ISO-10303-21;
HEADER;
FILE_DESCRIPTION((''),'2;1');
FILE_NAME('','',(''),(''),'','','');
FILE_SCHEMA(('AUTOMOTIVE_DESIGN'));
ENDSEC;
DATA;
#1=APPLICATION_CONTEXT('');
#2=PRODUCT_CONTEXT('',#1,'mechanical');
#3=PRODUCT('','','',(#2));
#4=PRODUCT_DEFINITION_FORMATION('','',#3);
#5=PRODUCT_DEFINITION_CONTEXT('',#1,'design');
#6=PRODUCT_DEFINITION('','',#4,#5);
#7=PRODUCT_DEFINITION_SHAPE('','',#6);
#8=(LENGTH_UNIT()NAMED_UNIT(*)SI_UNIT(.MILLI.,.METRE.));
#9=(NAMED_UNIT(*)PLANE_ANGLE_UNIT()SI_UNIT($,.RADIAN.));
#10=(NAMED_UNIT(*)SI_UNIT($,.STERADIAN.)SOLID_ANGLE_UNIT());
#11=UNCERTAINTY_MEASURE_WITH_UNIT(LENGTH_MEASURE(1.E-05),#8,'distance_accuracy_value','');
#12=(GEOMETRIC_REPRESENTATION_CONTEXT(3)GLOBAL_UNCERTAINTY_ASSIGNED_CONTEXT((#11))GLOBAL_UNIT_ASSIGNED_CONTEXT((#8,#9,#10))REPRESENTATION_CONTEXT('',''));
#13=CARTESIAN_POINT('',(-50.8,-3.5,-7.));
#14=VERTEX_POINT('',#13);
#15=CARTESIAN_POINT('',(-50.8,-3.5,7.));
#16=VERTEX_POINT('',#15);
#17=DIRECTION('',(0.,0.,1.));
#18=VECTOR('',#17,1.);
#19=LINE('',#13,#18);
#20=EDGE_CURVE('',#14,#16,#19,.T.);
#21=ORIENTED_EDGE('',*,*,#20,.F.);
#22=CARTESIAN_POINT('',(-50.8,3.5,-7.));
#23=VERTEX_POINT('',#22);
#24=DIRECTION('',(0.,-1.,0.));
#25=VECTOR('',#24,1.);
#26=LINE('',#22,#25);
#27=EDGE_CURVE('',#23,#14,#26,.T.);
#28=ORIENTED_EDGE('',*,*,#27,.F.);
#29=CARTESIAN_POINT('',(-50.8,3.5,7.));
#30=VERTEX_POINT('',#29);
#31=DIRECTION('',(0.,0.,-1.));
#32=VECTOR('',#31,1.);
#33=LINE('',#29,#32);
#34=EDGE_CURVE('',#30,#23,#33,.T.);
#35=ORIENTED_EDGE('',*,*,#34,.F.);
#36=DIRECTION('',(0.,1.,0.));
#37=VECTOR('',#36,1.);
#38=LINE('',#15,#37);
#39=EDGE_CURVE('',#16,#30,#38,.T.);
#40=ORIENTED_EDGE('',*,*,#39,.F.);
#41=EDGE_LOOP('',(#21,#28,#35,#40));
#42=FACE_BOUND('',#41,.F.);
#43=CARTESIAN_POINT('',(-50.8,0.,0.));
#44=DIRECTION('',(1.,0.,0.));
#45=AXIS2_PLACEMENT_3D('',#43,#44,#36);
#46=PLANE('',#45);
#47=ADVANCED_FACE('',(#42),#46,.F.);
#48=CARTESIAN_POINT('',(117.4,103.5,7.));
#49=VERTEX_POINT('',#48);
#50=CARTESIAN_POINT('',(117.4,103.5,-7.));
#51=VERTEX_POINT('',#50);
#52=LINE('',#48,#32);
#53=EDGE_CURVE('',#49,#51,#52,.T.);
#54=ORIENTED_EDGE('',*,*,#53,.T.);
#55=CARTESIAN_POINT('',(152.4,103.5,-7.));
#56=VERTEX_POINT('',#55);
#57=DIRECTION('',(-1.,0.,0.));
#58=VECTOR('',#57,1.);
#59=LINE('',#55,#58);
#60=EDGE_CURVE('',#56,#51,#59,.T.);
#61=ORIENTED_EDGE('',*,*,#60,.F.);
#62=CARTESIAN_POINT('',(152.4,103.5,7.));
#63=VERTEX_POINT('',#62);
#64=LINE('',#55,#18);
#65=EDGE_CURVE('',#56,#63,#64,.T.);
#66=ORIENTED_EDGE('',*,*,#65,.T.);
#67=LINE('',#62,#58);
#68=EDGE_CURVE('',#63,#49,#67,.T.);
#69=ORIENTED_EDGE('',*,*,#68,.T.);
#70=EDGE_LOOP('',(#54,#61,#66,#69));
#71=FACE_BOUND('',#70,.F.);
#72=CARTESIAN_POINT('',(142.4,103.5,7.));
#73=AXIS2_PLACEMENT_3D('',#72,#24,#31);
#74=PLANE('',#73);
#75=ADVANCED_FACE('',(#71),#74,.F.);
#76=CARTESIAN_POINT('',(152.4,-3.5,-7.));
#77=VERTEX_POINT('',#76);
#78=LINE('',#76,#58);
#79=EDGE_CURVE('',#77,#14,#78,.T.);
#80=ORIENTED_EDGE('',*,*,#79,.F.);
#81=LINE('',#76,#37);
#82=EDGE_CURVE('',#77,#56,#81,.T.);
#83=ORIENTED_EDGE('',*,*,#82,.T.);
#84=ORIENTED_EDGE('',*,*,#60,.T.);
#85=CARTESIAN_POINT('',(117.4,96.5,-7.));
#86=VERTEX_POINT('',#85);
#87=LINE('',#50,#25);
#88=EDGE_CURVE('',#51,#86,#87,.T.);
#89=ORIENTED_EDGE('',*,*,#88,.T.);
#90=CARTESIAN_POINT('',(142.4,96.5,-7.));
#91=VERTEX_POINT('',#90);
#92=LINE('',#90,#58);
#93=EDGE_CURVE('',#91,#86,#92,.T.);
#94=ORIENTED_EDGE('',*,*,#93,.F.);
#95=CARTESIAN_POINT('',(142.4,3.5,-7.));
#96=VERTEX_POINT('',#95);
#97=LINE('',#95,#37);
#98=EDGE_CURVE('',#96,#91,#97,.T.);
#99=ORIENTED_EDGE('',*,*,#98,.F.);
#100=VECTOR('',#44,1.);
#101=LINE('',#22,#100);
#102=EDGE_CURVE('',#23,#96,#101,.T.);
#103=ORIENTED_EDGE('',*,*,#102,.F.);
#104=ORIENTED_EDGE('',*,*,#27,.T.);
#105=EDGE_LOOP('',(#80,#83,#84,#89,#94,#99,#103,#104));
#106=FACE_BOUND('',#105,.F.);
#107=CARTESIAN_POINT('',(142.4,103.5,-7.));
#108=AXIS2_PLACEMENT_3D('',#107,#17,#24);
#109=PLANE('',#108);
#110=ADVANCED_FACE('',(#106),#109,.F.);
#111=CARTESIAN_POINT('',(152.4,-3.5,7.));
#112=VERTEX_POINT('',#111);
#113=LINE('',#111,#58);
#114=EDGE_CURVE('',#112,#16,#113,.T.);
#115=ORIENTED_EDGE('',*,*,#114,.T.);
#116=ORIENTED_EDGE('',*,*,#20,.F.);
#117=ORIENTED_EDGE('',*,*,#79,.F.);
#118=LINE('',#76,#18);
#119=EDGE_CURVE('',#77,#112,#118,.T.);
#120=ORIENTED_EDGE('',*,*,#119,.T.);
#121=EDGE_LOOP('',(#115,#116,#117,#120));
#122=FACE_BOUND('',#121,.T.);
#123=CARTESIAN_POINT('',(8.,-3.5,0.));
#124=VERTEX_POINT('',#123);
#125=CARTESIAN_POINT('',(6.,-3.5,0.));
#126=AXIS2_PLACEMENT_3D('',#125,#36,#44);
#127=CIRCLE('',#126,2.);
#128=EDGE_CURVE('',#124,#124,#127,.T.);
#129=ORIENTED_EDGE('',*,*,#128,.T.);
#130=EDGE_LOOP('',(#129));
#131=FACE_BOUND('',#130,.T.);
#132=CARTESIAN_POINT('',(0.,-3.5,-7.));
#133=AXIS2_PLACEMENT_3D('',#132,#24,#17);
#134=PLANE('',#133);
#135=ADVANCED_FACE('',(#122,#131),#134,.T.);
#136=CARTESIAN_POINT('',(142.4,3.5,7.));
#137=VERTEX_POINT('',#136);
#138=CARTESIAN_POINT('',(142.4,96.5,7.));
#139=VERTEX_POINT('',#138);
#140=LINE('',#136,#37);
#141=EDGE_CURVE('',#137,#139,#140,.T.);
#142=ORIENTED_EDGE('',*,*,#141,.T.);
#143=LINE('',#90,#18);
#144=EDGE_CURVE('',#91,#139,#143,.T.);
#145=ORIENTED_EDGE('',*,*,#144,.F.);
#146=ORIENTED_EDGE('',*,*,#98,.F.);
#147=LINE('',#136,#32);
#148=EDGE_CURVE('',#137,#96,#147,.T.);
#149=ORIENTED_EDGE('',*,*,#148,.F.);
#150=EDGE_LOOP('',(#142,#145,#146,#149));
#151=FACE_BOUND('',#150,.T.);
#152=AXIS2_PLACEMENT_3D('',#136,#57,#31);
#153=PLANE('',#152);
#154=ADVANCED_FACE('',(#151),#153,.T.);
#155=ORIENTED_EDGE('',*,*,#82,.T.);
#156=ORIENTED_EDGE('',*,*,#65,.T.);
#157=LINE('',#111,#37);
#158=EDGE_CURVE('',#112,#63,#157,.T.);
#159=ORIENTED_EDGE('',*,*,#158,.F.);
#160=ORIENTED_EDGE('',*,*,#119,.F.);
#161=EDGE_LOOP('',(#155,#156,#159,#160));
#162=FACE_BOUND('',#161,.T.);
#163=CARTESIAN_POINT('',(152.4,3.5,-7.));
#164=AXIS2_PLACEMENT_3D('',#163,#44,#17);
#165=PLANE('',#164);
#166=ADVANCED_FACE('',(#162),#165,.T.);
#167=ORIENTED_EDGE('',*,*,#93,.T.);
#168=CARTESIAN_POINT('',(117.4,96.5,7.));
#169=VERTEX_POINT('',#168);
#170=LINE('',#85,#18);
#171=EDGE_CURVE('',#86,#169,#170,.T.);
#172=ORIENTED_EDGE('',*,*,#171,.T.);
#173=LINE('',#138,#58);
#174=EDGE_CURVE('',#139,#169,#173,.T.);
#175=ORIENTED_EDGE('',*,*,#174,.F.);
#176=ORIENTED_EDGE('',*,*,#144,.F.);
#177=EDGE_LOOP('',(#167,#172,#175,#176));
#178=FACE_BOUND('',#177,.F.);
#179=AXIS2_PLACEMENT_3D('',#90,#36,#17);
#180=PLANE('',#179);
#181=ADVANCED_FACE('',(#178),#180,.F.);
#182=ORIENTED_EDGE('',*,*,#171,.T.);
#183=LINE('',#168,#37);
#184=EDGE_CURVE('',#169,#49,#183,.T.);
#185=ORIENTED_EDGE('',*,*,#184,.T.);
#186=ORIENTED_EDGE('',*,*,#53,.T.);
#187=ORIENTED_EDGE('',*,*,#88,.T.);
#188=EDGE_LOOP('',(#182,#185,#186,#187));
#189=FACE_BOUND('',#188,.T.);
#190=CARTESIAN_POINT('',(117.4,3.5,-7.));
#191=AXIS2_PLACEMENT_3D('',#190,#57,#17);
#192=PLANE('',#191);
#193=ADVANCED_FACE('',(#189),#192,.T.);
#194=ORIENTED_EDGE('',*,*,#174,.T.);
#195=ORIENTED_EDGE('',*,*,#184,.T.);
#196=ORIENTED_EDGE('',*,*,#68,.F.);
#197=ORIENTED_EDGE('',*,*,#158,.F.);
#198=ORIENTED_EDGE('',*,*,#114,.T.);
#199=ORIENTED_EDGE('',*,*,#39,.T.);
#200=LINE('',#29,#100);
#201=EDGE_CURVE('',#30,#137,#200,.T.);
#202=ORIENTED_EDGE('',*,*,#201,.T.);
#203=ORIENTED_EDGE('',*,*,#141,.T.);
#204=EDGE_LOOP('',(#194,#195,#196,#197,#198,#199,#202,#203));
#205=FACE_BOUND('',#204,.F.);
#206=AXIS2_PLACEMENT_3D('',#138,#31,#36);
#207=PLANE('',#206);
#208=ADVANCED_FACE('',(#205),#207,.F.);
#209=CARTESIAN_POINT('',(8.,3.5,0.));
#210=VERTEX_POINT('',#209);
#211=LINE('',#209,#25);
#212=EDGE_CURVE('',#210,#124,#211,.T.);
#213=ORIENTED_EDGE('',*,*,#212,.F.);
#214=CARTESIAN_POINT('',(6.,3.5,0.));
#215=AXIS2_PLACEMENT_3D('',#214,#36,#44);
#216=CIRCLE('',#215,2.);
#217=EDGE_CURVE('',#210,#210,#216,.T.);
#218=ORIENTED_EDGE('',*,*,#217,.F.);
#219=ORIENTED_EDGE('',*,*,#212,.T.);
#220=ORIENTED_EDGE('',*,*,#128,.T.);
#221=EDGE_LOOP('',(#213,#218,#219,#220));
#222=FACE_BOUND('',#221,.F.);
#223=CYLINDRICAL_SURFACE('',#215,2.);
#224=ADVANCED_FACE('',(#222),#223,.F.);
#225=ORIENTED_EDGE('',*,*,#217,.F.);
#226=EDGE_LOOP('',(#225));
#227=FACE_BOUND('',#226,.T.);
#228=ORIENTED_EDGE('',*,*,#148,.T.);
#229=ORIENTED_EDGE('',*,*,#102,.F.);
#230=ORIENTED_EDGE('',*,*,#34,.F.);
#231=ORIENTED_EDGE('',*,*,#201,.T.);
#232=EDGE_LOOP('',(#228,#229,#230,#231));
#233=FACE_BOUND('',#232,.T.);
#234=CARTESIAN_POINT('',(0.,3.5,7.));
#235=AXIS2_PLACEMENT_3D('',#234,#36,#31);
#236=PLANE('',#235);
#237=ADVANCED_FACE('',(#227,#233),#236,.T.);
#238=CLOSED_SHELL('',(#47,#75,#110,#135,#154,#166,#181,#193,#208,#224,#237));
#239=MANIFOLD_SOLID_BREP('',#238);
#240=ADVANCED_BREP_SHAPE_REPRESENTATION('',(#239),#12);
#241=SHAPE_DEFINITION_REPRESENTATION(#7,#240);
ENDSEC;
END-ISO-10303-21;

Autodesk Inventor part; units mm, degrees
ref_plane "YZ Plane" through (0, 0, 0) normal (1, 0, 0) x (0, 1, 0)
ref_plane "XZ Plane" through (0, 0, 0) normal (0, 1, 0) x (-1, 0, 0)
ref_plane "XY Plane" through (0, 0, 0) normal (0, 0, 1) x (1, 0, 0)
sketch "Sketch1" plane through (0, 0, 0) normal (1, 0, 0) x (0, 1, 0)
  line L0 (3.5, -7) -> (-3.5, -7)
  line L1 (-3.5, -7) -> (-3.5, 7)
  line L2 (-3.5, 7) -> (3.5, 7)
  line L3 (3.5, 7) -> (3.5, -7)
  line L4 (3.5, -7) -> (-3.5, 7) construction
  line L5 (-3.5, -7) -> (3.5, 7) construction
  point P0 (0, 0)
  dimension "d0" = 7
  dimension "d1" = 14
extrude "Extrusion1" add sketch "Sketch1" along normal blind 152.4 and the other way blind 50.8
sketch "Sketch2" plane through (-50.8, 3.5, 7) normal (0, 1, 0) x (1, 0, 0)
  circle A0 centre (56.8, 7) radius 2
  point P0 (50.8, 7)
  dimension "d4" = 4
  dimension "d5" = 6
extrude "Extrusion2" cut sketch "Sketch2" against normal through all
sketch "Sketch3" plane through (-50.8, 3.5, 7) normal (0, 1, 0) x (1, 0, 0)
  line L0 (203.2, 0) -> (193.2, 0)
  line L1 (193.2, 0) -> (193.2, 14)
  line L2 (193.2, 14) -> (203.2, 14)
  line L3 (203.2, 14) -> (203.2, 0)
  line L4 (203.2, 0) -> (0, 0) projected
  line L5 (203.2, 14) -> (203.2, 0) projected
  point P0 (50.8, 7)
  dimension "d8" = 10
  dimension "d9" = 14
  dimension "d10" = 0
  dimension "d11" = 0
extrude "Extrusion3" add sketch "Sketch3" along normal blind 100
sketch "Sketch5" plane through (142.4, 3.5, -7) normal (-1, 0, 0) x (0, 0, 1)
  line L0 (14, 100) -> (0, 100)
  line L1 (0, 100) -> (0, 93)
  line L2 (0, 93) -> (14, 93)
  line L3 (14, 93) -> (14, 100)
  line L4 (14, 0) -> (14, 100) projected
  line L5 (0, 100) -> (14, 100) projected
  point P0 (7, -3.5)
  dimension "d17" = 14
  dimension "d18" = 7
  dimension "d19" = 0
  dimension "d20" = 0
extrude "Extrusion4" add sketch "Sketch5" along normal blind 25
sketch "Sketch10" plane through (-50.8, 3.5, 7) normal (0, 1, 0) x (1, 0, 0)
  point P0 (50.8, 7)
sketch "Sketch11" plane through (-50.8, 0, 0) normal (-1, 0, 0) x (0, 0, 1)
  point P0 (0, 0)
sketch "Sketch12" plane through (152.4, 0, 0) normal (1, 0, 0) x (0, 0, -1)
  point P0 (0, 0)
sketch "Sketch13" plane through (-50.8, 103.5, 7) normal (0, 1, 0) x (1, 0, 0)
  point P0 (50.8, 7)
properties part number "handle" material "PBT Plastic"
